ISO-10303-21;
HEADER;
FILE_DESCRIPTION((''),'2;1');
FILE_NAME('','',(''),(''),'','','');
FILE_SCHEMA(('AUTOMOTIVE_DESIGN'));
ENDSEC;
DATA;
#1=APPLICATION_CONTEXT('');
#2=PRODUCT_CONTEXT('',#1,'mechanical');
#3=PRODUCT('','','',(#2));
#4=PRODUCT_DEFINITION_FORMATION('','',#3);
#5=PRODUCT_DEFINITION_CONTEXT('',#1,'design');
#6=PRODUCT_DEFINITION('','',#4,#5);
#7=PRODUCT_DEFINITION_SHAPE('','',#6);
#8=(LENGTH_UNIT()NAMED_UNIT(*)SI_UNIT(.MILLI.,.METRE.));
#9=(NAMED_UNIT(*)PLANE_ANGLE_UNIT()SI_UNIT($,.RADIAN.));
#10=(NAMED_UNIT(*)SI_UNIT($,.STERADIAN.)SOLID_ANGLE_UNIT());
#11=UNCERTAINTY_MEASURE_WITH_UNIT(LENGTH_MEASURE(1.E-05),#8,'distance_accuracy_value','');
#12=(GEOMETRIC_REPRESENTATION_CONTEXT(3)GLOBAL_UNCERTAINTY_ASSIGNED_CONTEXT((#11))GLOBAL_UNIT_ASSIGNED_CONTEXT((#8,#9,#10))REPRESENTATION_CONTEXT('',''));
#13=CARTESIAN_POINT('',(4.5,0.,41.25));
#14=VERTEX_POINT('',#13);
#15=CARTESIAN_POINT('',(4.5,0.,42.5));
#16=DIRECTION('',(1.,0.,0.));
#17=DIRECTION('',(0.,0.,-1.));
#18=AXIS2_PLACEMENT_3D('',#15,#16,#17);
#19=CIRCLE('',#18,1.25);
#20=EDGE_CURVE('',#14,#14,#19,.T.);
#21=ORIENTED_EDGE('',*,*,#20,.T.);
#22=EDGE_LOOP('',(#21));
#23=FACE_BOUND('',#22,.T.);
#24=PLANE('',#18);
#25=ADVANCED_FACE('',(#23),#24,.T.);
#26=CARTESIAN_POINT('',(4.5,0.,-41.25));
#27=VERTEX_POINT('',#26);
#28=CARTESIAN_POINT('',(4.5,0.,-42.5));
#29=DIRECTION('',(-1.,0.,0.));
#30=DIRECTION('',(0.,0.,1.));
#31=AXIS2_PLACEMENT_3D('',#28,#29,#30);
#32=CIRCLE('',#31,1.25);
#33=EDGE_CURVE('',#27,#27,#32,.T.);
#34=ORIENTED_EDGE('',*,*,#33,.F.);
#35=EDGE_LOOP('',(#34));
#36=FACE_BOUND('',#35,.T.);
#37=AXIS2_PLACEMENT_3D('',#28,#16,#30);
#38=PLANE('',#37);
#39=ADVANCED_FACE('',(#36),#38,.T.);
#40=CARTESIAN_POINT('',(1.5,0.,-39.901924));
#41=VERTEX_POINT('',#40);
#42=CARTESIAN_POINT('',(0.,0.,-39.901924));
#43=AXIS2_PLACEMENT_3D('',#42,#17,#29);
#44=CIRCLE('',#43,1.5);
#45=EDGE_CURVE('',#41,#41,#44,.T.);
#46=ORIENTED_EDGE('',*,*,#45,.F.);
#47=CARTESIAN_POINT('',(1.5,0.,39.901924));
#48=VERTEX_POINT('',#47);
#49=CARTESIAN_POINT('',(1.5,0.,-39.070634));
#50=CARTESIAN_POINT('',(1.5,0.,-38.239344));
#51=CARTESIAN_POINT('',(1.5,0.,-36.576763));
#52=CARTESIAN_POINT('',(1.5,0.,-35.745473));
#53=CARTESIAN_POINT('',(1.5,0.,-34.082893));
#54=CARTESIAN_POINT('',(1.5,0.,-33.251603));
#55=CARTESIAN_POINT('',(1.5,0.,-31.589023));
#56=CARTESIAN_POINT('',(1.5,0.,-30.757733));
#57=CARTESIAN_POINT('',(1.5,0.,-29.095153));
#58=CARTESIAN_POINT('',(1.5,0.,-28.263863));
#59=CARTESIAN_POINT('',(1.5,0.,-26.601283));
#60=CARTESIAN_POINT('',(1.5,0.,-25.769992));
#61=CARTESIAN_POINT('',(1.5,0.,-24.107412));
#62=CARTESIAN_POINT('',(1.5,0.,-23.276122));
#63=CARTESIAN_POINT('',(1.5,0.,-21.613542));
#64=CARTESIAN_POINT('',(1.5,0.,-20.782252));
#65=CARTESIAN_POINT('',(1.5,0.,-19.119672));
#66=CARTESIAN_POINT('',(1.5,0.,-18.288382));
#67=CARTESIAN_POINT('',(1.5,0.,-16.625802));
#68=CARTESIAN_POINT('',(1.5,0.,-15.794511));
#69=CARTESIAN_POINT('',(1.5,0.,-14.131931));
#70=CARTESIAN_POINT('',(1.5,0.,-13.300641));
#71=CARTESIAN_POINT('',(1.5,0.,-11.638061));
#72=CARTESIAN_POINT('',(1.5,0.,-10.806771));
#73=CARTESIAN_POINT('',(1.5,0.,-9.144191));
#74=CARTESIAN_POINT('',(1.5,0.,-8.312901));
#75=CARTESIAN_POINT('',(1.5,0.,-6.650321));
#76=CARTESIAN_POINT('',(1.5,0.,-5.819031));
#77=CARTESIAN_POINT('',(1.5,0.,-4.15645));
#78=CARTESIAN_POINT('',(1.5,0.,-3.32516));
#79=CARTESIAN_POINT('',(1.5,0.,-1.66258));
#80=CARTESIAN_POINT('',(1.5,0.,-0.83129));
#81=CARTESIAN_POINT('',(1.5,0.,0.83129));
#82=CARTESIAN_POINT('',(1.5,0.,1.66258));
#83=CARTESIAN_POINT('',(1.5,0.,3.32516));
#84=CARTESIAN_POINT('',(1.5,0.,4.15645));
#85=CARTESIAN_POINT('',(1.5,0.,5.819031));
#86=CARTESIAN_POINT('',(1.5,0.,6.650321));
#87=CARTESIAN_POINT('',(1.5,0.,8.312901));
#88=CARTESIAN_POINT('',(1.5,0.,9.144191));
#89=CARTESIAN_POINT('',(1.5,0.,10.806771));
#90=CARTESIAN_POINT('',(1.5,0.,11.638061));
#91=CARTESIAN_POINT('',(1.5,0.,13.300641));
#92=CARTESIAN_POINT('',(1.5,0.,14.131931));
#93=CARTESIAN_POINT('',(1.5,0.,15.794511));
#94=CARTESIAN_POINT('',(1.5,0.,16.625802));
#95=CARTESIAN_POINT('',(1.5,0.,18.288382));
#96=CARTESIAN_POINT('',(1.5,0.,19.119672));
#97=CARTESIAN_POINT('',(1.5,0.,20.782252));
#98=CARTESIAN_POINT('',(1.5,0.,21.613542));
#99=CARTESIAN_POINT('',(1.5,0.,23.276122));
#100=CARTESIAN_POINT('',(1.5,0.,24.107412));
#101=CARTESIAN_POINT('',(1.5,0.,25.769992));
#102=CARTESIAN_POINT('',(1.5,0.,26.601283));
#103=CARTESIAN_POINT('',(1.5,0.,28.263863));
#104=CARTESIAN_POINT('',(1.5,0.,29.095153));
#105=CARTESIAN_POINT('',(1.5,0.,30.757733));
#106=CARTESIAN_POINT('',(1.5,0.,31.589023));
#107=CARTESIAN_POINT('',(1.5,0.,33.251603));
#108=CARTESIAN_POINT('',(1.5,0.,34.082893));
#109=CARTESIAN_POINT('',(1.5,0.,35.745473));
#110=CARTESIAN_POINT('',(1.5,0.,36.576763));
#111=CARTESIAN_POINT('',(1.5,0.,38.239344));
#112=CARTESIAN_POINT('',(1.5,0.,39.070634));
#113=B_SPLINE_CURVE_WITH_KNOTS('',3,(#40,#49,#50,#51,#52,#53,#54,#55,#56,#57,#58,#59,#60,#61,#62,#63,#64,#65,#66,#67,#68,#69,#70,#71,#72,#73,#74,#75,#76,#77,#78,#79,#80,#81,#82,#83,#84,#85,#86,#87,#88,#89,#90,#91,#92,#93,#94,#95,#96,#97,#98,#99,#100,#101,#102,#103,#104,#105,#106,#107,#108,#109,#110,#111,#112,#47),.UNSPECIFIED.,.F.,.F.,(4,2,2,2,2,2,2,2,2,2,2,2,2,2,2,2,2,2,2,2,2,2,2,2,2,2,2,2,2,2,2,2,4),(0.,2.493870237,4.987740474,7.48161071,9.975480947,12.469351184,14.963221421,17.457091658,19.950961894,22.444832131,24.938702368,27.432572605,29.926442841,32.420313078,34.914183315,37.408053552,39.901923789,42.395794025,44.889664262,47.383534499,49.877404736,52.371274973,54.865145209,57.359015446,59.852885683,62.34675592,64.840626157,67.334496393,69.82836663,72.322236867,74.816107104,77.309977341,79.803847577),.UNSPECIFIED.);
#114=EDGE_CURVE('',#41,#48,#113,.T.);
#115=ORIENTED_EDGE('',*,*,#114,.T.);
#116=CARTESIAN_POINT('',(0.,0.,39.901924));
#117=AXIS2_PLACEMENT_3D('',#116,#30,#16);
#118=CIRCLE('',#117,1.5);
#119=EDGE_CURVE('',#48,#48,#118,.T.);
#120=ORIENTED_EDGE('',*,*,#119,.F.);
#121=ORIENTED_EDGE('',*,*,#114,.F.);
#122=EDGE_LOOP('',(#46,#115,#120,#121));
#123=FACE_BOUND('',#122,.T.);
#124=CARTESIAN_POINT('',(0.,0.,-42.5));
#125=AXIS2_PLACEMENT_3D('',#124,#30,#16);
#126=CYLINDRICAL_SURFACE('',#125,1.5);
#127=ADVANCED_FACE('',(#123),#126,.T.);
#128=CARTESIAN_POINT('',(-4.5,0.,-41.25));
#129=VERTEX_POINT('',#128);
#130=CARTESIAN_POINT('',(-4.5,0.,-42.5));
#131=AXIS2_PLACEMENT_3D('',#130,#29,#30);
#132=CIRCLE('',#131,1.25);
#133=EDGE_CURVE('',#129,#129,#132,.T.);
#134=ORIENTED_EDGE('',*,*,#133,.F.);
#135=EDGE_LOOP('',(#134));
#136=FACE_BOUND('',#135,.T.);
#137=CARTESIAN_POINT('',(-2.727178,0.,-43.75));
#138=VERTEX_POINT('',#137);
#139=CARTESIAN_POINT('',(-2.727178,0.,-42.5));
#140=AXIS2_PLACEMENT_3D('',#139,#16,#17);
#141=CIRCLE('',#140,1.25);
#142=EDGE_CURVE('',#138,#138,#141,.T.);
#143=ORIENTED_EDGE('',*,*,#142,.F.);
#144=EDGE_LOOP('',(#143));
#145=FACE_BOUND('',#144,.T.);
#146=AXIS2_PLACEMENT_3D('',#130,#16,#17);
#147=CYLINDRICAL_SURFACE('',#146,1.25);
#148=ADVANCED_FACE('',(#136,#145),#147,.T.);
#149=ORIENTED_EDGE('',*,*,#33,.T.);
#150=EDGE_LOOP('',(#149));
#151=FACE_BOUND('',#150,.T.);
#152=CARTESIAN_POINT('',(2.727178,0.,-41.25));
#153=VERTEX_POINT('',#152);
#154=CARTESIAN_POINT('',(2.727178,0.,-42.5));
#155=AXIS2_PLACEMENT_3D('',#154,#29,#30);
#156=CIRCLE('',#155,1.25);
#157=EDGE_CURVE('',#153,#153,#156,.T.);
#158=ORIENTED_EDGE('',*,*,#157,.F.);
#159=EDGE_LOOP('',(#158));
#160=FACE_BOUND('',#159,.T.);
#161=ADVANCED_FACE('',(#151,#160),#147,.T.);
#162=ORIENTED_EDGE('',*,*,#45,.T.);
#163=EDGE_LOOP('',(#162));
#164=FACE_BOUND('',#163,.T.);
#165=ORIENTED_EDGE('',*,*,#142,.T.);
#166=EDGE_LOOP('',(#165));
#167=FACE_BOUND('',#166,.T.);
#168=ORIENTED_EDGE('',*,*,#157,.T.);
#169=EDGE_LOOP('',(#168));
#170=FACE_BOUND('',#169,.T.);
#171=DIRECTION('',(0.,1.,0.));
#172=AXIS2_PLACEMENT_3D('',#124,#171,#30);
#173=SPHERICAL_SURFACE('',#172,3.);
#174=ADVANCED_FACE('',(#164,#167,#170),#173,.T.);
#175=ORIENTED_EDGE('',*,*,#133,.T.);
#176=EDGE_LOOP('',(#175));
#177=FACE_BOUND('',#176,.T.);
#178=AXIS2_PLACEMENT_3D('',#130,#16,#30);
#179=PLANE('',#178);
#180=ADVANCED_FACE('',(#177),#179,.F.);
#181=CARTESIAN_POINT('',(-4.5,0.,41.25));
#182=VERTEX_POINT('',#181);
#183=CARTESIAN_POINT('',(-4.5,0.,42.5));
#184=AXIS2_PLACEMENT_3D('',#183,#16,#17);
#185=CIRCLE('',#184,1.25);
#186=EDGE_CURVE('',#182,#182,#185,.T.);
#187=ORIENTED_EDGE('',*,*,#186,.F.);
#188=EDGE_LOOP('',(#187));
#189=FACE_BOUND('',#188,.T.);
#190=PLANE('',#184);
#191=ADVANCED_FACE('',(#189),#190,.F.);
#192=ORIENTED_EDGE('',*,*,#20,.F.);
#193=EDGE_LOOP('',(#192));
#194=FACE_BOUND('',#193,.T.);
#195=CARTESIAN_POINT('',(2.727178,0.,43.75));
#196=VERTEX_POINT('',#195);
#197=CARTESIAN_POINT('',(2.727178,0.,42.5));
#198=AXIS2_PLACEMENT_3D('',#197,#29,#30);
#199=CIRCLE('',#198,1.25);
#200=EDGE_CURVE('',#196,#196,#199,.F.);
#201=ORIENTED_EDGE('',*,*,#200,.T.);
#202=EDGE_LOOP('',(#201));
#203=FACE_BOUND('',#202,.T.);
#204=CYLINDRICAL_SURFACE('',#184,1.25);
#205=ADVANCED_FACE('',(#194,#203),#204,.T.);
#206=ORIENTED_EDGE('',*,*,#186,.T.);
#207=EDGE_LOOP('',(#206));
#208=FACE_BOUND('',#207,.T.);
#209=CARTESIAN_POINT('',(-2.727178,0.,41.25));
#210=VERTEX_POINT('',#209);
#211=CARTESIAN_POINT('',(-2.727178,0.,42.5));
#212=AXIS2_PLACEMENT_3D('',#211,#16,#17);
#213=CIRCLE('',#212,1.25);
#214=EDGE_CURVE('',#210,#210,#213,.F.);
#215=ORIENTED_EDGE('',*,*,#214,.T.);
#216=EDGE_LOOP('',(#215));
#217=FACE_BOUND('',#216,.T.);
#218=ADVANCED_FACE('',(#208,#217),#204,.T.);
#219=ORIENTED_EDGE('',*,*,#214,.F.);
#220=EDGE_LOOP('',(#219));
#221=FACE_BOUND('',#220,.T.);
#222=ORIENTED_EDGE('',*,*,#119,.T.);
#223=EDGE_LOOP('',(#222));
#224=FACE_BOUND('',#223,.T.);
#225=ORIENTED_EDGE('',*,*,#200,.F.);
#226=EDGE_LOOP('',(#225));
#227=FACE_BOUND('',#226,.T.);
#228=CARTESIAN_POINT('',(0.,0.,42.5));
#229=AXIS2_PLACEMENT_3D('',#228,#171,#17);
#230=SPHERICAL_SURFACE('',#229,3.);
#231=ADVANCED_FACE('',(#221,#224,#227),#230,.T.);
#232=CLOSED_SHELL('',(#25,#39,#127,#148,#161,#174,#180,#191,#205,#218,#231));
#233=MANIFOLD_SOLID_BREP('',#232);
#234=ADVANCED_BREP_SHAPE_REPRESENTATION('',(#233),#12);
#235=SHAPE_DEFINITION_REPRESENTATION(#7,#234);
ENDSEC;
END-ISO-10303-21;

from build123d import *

# Parameters (mm, degrees)
BOSS_EXTRUDE1_DEPTH      = 42.5
BOSS_EXTRUDE1_DEPTH_BACK = 42.5
SKETCH1_R                = 1.5
SKETCH3_R                = 1.25
BOSS_EXTRUDE2_DEPTH      = 4.5


with BuildPart() as part:
    # Sketch1 → Boss-Extrude1 (new, two sides: drawn at the far end of the back side and taken through both)
    with BuildSketch(Plane.XY.offset(-BOSS_EXTRUDE1_DEPTH_BACK)):
        Circle(SKETCH1_R)
    extrude(amount=BOSS_EXTRUDE1_DEPTH + BOSS_EXTRUDE1_DEPTH_BACK)

    # Sketch2 → Revolve1 (revolve)
    with BuildSketch(Plane(origin=(0, 0, 0), x_dir=(0, 0, -1), z_dir=(1, 0, 0))):
        with BuildLine():
            Line((-42.5, -3), (-42.5, 3))
            ThreePointArc((-42.5, 3), (-45.5, 0), (-42.5, -3))
        make_face()
    revolve1 = revolve(axis=Axis((0, 3, 42.5), (0, -1, 0)))

    # Sketch3 → Boss-Extrude2 (add, symmetric)
    with BuildSketch(Plane(origin=(0, 0, 0), x_dir=(0, 0, -1), z_dir=(1, 0, 0))):
        with Locations((-42.5, 0)):
            Circle(SKETCH3_R)
    boss_extrude2 = extrude(amount=BOSS_EXTRUDE2_DEPTH, both=True)

    # Mirror1: Revolve1, Boss-Extrude2 across plane
    add(revolve1.mirror(Plane.XY))
    add(boss_extrude2.mirror(Plane.XY))


solid = part.part
